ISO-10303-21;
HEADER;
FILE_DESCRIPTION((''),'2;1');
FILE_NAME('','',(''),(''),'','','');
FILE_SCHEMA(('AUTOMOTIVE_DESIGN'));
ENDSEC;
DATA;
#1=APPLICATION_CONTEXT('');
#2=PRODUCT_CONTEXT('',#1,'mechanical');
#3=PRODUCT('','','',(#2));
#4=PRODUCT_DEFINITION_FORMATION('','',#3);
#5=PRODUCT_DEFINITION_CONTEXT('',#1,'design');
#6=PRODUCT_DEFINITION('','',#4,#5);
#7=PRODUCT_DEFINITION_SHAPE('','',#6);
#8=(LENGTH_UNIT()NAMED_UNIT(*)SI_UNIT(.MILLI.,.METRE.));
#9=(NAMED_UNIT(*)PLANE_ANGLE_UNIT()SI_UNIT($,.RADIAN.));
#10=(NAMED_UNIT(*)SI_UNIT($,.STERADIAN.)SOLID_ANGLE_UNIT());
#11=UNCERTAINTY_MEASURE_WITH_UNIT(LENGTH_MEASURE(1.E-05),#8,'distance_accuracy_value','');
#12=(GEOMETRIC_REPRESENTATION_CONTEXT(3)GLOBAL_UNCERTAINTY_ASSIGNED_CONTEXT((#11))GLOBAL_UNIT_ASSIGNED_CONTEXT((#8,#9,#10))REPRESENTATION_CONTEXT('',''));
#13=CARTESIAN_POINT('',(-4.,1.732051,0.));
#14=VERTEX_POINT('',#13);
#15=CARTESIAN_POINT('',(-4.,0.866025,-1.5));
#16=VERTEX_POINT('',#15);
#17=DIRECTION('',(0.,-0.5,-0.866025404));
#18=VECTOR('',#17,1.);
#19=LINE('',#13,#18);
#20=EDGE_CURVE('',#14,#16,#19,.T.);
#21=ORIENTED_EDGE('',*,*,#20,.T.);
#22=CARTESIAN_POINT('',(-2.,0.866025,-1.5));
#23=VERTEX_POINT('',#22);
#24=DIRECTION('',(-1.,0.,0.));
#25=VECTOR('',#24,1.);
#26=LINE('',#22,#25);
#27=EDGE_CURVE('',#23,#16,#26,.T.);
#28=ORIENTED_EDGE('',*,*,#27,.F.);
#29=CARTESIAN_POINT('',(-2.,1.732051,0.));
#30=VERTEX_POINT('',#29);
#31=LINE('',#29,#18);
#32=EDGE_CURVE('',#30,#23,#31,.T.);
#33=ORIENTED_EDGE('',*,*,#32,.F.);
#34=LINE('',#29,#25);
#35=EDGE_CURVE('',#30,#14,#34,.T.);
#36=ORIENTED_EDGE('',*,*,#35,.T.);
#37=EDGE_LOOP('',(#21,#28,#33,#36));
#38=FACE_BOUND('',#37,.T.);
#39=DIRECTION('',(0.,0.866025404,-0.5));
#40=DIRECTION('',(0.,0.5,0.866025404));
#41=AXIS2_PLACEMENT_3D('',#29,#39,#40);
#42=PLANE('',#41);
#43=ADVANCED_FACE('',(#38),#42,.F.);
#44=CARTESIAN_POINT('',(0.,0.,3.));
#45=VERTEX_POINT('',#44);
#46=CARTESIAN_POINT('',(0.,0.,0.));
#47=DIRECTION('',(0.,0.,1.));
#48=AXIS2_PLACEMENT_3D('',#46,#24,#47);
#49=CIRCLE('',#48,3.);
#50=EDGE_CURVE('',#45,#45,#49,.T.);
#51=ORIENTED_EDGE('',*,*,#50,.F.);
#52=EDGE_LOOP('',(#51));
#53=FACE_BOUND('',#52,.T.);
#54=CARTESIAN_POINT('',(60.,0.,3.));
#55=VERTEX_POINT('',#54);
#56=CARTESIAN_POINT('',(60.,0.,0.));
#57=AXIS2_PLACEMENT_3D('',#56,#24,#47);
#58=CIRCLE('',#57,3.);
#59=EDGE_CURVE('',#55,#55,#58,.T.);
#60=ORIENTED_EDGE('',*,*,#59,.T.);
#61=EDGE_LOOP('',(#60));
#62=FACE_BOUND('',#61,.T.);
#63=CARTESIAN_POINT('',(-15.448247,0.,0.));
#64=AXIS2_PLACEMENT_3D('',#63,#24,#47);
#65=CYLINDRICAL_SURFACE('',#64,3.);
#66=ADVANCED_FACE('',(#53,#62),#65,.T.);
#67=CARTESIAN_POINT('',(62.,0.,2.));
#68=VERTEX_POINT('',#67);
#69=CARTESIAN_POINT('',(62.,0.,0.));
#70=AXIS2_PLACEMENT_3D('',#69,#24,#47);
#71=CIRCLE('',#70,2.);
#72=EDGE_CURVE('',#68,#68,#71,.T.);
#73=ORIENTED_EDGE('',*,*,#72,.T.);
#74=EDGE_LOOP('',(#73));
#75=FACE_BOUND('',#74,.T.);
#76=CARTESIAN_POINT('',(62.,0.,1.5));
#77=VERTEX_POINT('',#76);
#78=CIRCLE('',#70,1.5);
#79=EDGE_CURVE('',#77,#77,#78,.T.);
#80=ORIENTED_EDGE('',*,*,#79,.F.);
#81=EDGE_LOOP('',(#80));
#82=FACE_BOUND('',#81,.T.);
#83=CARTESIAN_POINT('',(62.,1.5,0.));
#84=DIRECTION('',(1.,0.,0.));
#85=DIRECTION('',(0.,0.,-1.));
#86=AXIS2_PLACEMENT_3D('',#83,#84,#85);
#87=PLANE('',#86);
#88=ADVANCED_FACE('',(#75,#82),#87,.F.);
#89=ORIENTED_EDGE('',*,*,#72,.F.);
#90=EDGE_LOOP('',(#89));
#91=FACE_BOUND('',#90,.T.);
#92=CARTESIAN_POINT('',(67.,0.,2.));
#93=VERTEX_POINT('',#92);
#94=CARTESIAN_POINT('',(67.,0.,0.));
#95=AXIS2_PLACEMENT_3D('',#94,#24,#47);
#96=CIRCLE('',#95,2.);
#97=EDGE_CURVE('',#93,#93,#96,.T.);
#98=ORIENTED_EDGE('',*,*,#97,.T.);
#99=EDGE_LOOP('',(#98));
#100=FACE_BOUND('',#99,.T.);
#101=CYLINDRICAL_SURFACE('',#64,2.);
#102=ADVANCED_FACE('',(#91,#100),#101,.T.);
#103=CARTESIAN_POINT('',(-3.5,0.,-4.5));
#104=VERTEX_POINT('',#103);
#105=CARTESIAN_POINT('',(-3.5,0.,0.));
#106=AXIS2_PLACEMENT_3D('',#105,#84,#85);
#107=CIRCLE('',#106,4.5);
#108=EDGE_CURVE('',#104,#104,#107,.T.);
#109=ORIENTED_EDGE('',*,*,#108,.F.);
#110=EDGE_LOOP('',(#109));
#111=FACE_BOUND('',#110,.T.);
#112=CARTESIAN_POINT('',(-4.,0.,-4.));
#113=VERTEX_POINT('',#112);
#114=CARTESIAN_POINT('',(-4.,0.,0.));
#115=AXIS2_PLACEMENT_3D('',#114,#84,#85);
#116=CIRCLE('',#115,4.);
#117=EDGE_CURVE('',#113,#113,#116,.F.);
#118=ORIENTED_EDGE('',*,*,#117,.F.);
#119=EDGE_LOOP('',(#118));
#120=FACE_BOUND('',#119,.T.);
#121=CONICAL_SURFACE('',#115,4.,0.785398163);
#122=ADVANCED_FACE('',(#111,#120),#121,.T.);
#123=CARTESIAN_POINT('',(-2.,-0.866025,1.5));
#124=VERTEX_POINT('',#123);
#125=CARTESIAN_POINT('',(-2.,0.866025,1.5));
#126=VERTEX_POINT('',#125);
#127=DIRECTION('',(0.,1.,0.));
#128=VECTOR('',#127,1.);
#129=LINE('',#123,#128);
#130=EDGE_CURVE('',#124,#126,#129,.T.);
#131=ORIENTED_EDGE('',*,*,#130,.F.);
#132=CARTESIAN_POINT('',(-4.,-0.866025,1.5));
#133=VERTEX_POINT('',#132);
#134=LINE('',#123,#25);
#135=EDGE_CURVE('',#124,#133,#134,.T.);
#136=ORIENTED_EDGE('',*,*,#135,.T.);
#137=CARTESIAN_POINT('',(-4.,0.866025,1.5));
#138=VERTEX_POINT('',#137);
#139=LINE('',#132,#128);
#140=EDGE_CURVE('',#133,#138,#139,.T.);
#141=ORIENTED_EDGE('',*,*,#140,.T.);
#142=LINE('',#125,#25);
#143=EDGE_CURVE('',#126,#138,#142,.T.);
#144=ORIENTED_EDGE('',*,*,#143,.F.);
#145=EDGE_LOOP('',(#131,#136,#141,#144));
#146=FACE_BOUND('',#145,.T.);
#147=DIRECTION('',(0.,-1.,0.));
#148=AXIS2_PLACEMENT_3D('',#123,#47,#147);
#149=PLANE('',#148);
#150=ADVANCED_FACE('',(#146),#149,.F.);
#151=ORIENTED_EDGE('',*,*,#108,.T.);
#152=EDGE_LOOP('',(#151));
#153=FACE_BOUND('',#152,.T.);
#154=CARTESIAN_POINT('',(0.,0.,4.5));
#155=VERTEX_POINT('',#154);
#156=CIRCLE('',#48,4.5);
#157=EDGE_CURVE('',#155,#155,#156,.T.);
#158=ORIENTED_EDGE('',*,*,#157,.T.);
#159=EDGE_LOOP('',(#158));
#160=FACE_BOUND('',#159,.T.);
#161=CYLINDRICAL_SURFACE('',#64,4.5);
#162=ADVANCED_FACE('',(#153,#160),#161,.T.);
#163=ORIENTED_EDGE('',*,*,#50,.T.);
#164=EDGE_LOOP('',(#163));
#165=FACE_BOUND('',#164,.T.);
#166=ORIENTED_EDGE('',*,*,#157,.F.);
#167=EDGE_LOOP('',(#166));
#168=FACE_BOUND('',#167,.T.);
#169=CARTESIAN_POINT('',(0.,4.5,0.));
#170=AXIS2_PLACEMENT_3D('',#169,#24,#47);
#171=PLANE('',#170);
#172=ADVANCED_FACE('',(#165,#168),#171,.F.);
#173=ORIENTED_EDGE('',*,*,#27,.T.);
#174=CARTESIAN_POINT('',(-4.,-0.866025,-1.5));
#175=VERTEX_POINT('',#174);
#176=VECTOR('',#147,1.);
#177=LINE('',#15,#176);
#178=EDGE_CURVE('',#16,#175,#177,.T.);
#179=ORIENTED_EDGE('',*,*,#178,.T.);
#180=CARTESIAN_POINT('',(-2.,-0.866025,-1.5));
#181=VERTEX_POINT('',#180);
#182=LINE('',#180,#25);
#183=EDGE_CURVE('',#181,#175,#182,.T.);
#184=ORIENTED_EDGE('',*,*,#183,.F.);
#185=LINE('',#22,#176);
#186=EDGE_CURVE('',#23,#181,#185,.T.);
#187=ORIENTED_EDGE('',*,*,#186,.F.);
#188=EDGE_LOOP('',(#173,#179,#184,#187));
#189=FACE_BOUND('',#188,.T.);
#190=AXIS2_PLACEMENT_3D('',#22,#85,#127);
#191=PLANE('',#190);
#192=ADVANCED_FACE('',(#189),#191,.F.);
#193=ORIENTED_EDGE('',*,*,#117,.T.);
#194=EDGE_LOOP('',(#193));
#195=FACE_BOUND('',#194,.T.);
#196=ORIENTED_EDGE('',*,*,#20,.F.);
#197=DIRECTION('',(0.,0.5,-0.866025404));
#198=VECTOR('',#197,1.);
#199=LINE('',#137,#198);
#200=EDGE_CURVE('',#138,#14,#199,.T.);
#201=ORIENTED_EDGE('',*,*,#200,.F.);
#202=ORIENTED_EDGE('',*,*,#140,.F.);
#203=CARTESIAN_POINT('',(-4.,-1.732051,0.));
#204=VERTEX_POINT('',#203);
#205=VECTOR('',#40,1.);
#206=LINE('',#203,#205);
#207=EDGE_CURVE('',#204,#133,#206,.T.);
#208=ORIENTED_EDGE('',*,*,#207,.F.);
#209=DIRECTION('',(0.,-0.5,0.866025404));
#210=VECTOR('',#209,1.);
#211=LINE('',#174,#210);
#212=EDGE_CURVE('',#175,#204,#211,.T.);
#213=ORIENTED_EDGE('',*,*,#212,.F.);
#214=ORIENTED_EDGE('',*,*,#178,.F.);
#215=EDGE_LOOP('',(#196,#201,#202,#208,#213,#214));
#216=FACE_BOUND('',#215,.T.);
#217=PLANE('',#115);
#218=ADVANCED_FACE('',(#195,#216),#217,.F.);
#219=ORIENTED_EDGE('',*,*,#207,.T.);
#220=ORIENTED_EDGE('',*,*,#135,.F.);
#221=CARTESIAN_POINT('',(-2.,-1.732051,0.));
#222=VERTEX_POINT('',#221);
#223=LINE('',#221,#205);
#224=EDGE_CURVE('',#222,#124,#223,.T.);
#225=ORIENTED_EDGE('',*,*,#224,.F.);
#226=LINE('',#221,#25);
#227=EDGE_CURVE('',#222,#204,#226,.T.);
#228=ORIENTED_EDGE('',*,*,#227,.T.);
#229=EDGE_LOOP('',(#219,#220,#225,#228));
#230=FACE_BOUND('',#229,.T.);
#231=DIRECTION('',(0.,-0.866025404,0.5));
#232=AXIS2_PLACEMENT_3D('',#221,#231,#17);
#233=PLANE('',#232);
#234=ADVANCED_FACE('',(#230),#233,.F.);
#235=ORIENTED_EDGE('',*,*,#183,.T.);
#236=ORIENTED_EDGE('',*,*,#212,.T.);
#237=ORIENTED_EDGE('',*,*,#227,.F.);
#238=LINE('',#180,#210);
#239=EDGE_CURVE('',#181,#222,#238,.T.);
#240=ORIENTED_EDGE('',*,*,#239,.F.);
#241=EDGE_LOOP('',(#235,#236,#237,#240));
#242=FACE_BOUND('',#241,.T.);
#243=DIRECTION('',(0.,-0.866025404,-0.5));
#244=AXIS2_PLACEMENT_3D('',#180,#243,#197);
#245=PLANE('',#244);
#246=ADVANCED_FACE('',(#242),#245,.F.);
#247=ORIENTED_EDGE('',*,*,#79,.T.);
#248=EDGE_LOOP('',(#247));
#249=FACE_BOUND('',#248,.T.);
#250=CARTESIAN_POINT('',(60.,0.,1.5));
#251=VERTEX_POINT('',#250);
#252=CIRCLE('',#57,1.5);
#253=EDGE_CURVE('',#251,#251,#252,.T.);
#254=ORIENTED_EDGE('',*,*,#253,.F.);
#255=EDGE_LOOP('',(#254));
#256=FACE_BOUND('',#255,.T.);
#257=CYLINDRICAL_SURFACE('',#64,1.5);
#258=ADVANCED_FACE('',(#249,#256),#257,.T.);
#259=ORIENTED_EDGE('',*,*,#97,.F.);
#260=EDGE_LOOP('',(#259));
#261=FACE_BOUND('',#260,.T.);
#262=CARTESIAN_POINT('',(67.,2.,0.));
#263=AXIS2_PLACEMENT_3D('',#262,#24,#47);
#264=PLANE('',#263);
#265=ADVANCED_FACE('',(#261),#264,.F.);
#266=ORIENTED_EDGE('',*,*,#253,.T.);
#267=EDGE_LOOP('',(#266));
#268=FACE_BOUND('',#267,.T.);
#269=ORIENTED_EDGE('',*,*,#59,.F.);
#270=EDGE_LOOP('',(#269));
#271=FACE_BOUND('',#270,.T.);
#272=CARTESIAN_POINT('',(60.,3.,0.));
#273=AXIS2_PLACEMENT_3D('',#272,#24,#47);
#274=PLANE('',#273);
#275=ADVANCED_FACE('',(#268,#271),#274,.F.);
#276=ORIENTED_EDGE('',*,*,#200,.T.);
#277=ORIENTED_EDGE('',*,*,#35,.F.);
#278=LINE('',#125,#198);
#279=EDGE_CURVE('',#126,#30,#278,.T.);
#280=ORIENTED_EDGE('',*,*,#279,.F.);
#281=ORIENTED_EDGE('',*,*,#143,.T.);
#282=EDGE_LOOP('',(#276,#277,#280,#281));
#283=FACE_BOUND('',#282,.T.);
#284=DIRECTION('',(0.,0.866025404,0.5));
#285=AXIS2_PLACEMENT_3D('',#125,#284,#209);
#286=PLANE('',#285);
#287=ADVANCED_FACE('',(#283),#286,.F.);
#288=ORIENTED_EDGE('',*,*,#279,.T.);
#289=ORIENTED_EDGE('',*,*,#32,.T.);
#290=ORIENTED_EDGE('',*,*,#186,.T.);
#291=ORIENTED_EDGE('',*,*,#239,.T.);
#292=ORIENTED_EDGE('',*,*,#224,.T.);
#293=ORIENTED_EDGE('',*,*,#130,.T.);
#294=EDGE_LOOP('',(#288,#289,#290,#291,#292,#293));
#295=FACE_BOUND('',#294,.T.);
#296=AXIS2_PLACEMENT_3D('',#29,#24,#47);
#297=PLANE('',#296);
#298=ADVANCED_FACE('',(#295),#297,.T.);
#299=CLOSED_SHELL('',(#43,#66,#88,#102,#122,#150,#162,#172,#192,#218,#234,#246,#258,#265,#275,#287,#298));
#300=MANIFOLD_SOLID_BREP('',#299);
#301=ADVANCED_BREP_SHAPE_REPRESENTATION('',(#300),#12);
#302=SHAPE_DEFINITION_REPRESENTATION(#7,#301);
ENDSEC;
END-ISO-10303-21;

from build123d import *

# Parameters (mm, degrees)
CHAMFER2_SIZE      = 0.5
CUT_EXTRUDE1_DEPTH = 2


with BuildPart() as part:
    # Sketch1 → Revolve1 (revolve)
    with BuildSketch(Plane.XY):
        Polygon((0, 3), (60, 3), (60, 1.5), (62, 1.5), (62, 2), (67, 2), (67, 0), (-4, 0), (-4, 4.5), (0, 4.5), align=None)
    revolve(axis=Axis((-15.448246648, 0, 0), (1, 0, 0)))

    # Chamfer2
    chamfer2_edges = [part.edges().sort_by_distance(p)[0] for p in [
        (-4, -4.5, 0),
    ]]
    chamfer(chamfer2_edges, length=CHAMFER2_SIZE)

    # Sketch2 → Cut-Extrude1 (cut)
    with BuildSketch(Plane.ZY.offset(4)):
        Polygon((0, 1.732050808), (-1.5, 0.866025404), (-1.5, -0.866025404), (0, -1.732050808), (1.5, -0.866025404), (1.5, 0.866025404), align=None)
    extrude(amount=-CUT_EXTRUDE1_DEPTH, mode=Mode.SUBTRACT)


solid = part.part
